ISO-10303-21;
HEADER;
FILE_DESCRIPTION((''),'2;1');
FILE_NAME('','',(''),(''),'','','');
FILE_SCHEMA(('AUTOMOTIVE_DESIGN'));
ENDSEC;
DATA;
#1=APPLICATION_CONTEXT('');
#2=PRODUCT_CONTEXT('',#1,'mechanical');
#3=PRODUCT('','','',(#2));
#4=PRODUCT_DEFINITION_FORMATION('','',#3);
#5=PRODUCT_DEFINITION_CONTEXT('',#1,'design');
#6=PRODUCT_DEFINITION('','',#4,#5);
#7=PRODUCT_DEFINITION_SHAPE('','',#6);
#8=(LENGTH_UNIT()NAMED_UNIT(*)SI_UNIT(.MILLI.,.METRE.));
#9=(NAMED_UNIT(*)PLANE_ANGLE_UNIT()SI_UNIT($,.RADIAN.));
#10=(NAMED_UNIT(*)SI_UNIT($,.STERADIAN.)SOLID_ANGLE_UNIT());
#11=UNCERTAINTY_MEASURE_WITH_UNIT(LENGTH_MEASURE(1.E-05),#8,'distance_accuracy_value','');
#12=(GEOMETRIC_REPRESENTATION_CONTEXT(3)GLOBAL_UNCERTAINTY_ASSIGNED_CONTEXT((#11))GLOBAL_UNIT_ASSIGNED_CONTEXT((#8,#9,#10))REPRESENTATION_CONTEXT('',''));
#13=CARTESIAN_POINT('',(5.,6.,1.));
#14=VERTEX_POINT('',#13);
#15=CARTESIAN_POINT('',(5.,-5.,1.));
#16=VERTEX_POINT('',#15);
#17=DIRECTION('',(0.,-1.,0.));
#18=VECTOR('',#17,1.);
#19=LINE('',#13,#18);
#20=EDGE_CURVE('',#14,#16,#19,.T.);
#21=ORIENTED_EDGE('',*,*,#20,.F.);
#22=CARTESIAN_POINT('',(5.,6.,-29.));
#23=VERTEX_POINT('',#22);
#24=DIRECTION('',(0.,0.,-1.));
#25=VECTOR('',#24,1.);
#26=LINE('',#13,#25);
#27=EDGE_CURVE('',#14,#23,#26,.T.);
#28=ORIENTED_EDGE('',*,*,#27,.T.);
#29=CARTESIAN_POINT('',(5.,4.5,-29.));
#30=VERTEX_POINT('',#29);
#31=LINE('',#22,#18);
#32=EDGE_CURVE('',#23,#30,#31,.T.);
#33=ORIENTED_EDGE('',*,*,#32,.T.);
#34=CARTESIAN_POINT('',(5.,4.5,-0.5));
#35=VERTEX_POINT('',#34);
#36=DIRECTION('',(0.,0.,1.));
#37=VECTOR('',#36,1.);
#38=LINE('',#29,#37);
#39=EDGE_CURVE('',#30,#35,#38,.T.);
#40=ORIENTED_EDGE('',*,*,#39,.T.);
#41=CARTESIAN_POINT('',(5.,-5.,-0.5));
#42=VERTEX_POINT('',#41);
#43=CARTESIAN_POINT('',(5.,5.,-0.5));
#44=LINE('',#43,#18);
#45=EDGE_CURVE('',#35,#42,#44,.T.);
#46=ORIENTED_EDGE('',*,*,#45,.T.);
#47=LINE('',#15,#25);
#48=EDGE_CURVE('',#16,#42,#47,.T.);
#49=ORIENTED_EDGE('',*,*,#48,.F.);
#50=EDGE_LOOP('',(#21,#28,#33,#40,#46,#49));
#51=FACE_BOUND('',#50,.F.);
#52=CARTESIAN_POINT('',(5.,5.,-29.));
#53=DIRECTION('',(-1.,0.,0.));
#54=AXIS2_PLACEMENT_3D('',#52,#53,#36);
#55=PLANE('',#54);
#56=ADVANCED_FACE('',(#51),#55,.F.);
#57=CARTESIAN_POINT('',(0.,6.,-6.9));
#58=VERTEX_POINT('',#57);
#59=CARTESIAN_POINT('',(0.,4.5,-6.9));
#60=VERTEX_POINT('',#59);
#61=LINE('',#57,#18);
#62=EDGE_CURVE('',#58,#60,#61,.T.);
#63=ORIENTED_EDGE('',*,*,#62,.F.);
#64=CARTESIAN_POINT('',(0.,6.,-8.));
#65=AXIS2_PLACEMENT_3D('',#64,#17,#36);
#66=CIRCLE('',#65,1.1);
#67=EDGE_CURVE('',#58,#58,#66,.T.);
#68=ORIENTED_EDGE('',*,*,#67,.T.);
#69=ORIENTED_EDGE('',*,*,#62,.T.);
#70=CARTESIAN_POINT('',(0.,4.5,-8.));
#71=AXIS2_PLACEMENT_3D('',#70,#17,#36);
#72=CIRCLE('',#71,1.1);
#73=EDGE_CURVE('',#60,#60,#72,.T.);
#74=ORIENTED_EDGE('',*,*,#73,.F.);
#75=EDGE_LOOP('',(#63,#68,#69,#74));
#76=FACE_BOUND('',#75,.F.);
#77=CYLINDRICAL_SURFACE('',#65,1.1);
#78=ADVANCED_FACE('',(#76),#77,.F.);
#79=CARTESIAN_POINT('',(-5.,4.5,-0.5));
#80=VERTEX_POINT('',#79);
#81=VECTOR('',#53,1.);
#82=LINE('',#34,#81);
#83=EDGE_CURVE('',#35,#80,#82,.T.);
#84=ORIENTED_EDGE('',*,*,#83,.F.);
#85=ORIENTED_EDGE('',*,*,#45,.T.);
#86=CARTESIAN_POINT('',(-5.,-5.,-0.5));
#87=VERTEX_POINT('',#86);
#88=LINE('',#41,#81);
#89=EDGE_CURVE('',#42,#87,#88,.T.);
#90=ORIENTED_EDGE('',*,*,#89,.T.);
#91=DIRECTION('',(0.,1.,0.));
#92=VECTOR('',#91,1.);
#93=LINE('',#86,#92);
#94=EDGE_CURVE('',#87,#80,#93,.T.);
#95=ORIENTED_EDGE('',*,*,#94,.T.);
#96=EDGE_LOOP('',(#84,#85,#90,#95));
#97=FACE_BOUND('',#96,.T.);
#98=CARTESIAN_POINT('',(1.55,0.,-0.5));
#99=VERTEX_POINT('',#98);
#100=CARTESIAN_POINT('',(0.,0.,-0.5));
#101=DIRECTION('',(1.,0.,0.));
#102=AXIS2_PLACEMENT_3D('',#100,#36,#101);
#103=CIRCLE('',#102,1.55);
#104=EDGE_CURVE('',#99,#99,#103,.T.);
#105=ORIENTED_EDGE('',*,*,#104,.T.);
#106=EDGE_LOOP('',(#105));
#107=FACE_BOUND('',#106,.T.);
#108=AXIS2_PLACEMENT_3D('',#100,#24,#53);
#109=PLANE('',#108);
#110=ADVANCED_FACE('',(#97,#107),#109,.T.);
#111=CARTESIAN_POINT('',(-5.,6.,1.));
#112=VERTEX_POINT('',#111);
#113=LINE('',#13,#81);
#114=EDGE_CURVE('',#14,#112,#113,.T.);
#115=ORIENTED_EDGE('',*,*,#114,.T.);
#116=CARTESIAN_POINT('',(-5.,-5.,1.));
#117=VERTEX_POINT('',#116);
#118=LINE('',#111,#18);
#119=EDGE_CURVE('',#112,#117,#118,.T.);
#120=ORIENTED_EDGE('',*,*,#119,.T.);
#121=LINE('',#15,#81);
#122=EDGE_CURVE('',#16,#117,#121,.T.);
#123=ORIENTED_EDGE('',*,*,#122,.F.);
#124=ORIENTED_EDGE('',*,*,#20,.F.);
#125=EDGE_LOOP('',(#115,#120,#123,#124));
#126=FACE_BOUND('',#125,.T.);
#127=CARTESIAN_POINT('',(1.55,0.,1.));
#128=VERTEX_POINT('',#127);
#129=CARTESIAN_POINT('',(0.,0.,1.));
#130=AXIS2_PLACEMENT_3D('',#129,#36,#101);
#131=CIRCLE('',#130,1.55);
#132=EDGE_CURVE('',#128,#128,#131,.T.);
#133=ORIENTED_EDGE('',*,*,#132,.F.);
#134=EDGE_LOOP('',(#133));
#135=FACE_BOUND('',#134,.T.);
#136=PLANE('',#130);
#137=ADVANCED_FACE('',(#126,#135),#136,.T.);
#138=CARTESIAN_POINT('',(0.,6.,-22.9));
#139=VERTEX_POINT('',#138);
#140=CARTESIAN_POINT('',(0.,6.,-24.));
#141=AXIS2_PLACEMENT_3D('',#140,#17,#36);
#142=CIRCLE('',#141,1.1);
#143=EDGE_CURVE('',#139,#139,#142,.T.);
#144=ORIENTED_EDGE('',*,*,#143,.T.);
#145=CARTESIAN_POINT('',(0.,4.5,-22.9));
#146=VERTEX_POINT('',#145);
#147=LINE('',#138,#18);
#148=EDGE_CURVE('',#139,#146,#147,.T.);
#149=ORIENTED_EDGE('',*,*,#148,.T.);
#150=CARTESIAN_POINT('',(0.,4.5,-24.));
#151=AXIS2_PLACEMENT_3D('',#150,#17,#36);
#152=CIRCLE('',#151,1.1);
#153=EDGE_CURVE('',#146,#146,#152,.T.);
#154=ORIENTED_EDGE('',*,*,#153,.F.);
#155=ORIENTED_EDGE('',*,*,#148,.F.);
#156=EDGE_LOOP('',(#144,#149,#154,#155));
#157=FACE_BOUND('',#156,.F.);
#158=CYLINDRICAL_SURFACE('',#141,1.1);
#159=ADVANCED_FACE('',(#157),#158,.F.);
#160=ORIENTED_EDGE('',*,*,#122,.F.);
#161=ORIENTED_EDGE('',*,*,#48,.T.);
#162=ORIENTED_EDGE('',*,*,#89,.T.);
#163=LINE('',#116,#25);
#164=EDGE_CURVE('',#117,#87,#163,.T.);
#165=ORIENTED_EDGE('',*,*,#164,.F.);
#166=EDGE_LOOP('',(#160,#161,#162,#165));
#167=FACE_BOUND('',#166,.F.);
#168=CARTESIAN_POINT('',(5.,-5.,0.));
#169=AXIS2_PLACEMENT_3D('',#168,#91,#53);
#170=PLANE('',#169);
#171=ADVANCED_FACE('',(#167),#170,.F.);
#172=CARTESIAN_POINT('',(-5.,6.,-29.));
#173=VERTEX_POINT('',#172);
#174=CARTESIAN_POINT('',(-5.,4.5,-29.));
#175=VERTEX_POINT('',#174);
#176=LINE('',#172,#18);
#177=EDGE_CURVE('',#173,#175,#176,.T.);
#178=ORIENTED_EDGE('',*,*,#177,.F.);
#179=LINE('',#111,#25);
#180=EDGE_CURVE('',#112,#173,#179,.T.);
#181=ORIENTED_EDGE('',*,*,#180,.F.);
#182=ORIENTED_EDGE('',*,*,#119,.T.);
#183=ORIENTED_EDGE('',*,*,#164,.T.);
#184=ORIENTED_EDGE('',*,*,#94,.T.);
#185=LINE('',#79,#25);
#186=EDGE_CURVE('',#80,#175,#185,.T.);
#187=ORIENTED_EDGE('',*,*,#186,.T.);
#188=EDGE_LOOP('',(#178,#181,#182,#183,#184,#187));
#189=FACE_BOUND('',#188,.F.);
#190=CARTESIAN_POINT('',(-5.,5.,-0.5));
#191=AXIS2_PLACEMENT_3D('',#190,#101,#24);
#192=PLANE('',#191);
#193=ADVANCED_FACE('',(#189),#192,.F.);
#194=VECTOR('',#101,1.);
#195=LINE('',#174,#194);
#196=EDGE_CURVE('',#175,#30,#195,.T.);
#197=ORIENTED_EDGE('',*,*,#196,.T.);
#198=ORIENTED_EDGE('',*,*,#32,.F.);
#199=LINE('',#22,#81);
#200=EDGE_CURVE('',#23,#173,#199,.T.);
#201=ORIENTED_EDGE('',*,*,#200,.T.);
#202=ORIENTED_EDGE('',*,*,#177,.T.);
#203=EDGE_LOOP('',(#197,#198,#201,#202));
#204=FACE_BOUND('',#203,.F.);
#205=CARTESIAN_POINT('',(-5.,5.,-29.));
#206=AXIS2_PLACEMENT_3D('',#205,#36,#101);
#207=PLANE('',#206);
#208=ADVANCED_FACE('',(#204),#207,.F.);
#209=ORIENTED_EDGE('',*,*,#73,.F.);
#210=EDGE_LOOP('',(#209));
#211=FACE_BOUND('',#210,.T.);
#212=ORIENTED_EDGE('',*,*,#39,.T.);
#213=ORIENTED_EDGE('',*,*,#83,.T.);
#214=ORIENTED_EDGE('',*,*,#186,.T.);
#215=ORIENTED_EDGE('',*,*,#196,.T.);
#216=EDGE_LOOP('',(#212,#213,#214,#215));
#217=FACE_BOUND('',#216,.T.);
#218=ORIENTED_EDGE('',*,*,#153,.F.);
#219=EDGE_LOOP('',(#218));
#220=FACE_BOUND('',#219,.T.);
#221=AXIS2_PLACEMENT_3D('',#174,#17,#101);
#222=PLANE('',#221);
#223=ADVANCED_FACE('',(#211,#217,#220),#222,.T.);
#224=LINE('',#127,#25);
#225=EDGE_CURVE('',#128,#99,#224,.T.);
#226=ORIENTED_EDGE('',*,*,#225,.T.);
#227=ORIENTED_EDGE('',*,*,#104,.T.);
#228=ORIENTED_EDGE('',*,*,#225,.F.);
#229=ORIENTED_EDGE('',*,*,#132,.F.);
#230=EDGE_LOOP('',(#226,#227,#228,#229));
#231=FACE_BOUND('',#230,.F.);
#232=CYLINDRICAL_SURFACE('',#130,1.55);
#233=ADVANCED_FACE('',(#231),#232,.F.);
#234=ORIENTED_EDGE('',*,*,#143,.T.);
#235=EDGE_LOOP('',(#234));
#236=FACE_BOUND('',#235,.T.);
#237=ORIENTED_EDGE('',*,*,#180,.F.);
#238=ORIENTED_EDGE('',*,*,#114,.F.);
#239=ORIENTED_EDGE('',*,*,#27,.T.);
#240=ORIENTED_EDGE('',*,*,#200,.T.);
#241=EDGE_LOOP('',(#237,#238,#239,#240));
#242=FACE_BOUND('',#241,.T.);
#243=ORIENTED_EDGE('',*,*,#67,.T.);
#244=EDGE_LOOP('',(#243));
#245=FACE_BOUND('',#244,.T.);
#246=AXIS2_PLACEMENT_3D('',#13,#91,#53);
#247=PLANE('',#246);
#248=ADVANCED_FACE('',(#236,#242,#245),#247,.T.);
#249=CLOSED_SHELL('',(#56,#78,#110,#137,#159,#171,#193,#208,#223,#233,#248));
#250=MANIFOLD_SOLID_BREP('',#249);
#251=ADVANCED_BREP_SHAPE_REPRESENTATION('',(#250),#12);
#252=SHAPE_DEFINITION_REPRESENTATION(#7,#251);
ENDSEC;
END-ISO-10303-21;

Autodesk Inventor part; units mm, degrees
ref_plane "YZ Plane" through (0, 0, 0) normal (1, 0, 0) x (0, 1, 0)
ref_plane "XZ Plane" through (0, 0, 0) normal (0, 1, 0) x (-1, 0, 0)
ref_plane "XY Plane" through (0, 0, 0) normal (0, 0, 1) x (1, 0, 0)
sketch "スケッチ1" plane through (0, 0, 0) normal (0, 0, 1) x (1, 0, 0)
  line L0 (-5, 5) -> (5, 5)
  line L1 (5, 5) -> (5, -5)
  line L2 (5, -5) -> (-5, -5)
  line L3 (-5, -5) -> (-5, 5)
  line L4 (-5, 5) -> (5, -5) construction
  line L5 (5, 5) -> (-5, -5) construction
  point P0 (0, 0)
  dimension "d0" = 10
  dimension "d1" = 10
extrude "押し出し1" add sketch "スケッチ1" along normal blind 1
sketch "スケッチ4" plane through (0, 0, 1) normal (0, 0, 1) x (1, 0, 0)
  line L0 (-5, 5) -> (5, 5)
  line L1 (5, 5) -> (5, 6)
  line L2 (5, 6) -> (-5, 6)
  line L3 (-5, 6) -> (-5, 5)
  point P0 (0, 0)
  dimension "d11" = 1
extrude "押し出し2" add sketch "スケッチ4" against normal blind 30
sketch "スケッチ9" plane through (0, 0, 0) normal (0, 0, -1) x (-1, 0, 0)
  line L0 (-5, -5) -> (5, -5)
  line L1 (5, -5) -> (5, 5)
  line L2 (5, 5) -> (-5, 5)
  line L3 (-5, 5) -> (-5, -5)
  point P0 (0, 0)
extrude "押し出し6" add sketch "スケッチ9" along normal blind 0.5
sketch "スケッチ10" plane through (0, 0, 1) normal (0, 0, 1) x (1, 0, 0)
  circle A0 centre (0, 0) radius 1.55
  dimension "d37" = 3.1
extrude "押し出し7" cut sketch "スケッチ10" against normal blind 3
sketch "スケッチ11" plane through (-5, 5, -29) normal (0, -1, 0) x (1, 0, 0)
  line L0 (0, 0) -> (10, 0)
  line L1 (10, 0) -> (10, 28.5)
  line L2 (10, 28.5) -> (0, 28.5)
  line L3 (0, 28.5) -> (0, 0)
  point P0 (5, 29)
extrude "押し出し8" add sketch "スケッチ11" along normal blind 0.5
sketch "スケッチ12" plane through (-5, 6, 1) normal (0, 1, 0) x (1, 0, 0)
  line L0 (10, 0) -> (10, 30) projected
  point P0 (5, 1)
  point P1 (5, 25)
  point P2 (5, 9)
  dimension "d42" = 16
  dimension "d43" = 8
  dimension "d44" = 5
hole "穴3" at (0, 6, -24) at (0, 6, -8) direction (0, -1, 0) diameter 2.2 depth 8 tip angle 118
properties part number "Servo catch front" material "アルミニウム 1100-H14"
